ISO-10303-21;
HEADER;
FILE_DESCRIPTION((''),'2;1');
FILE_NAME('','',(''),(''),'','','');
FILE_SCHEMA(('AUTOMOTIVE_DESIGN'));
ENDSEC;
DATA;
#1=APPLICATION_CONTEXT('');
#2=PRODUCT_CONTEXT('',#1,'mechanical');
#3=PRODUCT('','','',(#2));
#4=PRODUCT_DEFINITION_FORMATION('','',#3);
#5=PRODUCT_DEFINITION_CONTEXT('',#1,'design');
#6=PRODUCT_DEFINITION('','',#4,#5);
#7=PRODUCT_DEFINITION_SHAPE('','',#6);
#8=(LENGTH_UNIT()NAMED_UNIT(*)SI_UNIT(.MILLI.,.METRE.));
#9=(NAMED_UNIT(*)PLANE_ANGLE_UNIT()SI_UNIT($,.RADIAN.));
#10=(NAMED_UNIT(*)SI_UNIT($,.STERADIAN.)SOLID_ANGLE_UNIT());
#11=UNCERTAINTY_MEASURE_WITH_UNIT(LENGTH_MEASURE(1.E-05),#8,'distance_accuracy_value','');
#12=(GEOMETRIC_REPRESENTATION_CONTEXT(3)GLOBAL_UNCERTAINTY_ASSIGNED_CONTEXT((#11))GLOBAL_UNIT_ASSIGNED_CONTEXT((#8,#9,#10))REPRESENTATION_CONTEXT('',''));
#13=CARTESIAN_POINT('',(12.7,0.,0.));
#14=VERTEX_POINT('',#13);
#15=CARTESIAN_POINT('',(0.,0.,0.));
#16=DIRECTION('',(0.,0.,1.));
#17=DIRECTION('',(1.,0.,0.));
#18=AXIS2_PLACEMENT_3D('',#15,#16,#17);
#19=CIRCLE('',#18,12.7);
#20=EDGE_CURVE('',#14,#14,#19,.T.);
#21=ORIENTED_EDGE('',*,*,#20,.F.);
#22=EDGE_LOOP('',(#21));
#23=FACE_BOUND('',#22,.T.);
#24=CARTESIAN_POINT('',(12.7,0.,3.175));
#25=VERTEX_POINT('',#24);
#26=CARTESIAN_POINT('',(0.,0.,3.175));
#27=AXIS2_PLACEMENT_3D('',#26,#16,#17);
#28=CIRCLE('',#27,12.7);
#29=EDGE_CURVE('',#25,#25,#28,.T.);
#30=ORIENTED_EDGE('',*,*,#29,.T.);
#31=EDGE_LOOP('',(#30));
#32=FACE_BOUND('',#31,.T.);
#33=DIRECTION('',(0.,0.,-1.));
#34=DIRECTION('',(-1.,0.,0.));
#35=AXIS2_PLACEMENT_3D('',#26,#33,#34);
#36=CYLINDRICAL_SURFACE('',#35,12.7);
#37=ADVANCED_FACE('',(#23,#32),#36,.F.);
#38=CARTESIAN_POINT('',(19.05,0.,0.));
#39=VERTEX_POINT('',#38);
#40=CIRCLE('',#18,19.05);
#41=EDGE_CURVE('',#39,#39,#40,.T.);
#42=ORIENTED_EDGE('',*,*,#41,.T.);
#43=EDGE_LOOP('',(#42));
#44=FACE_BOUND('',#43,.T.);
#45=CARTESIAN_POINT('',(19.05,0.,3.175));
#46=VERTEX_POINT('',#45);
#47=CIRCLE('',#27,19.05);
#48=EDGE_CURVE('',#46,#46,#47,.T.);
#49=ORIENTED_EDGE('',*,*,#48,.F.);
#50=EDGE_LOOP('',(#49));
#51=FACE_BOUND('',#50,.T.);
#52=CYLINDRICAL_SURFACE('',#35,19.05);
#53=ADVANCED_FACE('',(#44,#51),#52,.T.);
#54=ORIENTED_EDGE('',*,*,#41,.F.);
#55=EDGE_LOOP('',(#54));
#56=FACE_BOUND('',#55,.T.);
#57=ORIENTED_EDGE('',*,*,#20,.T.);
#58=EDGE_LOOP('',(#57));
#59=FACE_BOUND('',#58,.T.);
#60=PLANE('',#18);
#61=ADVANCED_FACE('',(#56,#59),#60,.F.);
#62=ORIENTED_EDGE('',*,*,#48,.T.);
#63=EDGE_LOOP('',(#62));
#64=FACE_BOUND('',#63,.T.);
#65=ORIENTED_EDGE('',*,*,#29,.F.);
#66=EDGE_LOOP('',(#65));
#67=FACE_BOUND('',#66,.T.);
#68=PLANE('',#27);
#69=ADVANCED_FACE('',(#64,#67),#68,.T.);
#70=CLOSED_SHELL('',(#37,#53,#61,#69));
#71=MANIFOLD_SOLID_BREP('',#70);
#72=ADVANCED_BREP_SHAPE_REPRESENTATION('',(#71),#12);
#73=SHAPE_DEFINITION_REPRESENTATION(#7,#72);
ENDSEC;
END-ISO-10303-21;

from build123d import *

# Parameters (mm, degrees)
CROQUIS1_R              = 19.05
CROQUIS1_R_2            = 12.7
SALIENTE_EXTRUIR1_DEPTH = 3.175


with BuildPart() as part:
    # Croquis1 → Saliente-Extruir1 (new body)
    with BuildSketch(Plane.XY):
        Circle(CROQUIS1_R)
        Circle(CROQUIS1_R_2, mode=Mode.SUBTRACT)
    extrude(amount=SALIENTE_EXTRUIR1_DEPTH)


solid = part.part
